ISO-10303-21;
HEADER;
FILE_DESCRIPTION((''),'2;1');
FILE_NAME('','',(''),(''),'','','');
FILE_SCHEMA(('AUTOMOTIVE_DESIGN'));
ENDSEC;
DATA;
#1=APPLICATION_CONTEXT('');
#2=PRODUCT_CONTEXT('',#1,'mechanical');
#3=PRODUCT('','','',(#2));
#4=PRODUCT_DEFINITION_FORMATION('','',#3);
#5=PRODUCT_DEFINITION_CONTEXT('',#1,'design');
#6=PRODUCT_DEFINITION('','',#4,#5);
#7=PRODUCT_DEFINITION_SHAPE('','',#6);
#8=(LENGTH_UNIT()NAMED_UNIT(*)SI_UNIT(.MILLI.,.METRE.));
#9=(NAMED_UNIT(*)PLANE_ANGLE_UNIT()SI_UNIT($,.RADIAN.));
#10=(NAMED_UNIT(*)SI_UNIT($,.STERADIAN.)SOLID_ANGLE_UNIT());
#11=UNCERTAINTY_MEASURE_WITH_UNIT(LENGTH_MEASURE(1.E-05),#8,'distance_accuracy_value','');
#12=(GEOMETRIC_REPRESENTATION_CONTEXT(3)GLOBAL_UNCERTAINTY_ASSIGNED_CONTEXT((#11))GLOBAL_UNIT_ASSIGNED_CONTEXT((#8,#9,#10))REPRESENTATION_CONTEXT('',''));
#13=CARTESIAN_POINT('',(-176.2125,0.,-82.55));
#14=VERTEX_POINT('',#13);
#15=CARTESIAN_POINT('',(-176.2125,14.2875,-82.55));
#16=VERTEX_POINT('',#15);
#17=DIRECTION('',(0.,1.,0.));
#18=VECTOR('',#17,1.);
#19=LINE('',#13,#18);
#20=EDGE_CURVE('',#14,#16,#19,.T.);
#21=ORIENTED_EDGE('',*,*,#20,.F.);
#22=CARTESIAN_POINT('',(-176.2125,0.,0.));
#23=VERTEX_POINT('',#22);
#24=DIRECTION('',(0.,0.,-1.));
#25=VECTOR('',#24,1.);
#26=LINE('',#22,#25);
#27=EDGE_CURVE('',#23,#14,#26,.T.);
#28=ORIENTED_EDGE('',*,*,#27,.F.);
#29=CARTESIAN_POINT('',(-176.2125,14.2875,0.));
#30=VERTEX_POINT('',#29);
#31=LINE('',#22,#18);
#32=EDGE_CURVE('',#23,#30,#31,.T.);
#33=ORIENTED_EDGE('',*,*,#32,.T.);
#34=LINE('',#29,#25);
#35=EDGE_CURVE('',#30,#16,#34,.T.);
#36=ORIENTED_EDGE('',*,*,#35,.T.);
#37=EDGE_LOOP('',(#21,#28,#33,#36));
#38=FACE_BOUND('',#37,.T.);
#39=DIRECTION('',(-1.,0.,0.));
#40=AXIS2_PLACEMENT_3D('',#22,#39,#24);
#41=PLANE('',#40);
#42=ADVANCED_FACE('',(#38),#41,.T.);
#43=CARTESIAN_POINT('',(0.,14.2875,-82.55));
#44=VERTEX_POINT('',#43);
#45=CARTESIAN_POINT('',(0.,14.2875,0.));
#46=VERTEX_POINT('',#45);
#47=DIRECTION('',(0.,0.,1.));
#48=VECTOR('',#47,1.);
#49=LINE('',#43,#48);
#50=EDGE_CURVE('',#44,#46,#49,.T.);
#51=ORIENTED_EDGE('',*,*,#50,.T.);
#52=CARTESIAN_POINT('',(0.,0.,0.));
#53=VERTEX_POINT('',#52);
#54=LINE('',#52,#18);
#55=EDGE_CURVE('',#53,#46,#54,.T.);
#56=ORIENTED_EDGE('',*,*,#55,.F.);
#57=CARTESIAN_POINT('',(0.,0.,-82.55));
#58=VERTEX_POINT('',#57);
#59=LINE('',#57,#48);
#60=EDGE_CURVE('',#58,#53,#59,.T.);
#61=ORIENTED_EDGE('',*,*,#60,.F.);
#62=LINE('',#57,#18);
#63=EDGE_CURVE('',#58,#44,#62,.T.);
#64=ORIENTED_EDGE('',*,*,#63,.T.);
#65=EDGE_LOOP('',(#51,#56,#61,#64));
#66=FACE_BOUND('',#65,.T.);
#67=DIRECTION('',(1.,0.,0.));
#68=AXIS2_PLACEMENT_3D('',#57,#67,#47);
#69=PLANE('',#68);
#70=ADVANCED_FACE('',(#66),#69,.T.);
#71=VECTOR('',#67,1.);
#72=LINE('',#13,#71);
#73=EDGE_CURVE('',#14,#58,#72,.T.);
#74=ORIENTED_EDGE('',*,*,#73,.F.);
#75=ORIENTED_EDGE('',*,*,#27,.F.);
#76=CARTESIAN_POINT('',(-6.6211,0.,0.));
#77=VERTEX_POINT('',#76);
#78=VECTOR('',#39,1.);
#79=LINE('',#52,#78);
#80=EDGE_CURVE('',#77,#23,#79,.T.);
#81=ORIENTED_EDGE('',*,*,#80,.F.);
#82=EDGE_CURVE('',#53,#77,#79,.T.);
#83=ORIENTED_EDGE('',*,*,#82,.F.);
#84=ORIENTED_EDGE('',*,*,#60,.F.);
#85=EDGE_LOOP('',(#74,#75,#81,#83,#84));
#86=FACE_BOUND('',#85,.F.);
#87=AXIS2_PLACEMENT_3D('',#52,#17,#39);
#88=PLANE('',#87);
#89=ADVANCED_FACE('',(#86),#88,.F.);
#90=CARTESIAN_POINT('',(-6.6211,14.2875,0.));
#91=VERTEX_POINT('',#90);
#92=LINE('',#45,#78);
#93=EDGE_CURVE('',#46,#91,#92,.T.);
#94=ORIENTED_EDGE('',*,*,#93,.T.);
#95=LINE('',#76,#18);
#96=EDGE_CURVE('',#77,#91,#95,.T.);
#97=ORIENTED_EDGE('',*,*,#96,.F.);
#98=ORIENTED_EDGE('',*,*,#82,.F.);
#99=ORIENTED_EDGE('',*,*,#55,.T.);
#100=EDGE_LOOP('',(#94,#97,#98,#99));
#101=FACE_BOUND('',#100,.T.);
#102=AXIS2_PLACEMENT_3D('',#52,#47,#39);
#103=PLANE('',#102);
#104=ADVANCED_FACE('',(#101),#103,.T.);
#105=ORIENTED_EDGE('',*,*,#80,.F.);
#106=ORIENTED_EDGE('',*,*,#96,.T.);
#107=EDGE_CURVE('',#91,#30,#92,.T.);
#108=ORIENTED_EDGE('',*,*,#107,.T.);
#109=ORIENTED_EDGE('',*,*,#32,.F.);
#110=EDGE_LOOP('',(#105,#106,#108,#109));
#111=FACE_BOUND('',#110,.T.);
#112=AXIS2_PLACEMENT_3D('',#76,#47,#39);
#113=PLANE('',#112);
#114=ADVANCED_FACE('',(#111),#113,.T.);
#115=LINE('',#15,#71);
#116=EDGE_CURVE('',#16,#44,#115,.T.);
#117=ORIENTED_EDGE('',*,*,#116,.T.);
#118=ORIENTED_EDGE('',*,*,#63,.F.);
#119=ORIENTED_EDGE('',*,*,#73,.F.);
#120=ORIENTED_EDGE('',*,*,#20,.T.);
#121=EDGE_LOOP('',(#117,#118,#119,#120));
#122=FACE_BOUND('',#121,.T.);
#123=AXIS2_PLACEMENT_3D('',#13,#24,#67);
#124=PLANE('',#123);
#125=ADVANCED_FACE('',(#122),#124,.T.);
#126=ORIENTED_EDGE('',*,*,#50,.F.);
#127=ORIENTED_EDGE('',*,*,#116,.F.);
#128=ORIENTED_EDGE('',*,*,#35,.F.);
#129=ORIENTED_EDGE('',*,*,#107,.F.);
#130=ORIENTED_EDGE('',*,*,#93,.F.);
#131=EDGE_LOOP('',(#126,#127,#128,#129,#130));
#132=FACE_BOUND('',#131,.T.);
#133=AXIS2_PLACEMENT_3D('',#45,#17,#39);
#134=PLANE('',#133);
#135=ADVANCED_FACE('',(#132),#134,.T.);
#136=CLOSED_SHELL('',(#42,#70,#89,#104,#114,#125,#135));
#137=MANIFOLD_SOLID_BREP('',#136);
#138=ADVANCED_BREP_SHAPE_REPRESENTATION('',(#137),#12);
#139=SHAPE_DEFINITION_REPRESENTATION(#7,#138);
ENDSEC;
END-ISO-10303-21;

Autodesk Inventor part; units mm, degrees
ref_plane "YZ Plane" through (0, 0, 0) normal (1, 0, 0) x (0, 1, 0)
ref_plane "XZ Plane" through (0, 0, 0) normal (0, 1, 0) x (-1, 0, 0)
ref_plane "XY Plane" through (0, 0, 0) normal (0, 0, 1) x (1, 0, 0)
sketch "Sketch1" plane through (0, 0, 0) normal (0, 1, 0) x (-1, 0, 0)
  line L0 (0, 0) -> (6.6211, 0)
  line L1 (0, 0) -> (176.2125, 0)
  line L2 (176.2125, 0) -> (176.2125, -82.55)
  line L3 (176.2125, -82.55) -> (0, -82.55)
  line L4 (0, -82.55) -> (0, 0)
  dimension "d0" = 176.2125
  dimension "d1" = 82.55
extrude "Extrusion1" add sketch "Sketch1" along normal blind 14.2875
properties part number "Part_A"
